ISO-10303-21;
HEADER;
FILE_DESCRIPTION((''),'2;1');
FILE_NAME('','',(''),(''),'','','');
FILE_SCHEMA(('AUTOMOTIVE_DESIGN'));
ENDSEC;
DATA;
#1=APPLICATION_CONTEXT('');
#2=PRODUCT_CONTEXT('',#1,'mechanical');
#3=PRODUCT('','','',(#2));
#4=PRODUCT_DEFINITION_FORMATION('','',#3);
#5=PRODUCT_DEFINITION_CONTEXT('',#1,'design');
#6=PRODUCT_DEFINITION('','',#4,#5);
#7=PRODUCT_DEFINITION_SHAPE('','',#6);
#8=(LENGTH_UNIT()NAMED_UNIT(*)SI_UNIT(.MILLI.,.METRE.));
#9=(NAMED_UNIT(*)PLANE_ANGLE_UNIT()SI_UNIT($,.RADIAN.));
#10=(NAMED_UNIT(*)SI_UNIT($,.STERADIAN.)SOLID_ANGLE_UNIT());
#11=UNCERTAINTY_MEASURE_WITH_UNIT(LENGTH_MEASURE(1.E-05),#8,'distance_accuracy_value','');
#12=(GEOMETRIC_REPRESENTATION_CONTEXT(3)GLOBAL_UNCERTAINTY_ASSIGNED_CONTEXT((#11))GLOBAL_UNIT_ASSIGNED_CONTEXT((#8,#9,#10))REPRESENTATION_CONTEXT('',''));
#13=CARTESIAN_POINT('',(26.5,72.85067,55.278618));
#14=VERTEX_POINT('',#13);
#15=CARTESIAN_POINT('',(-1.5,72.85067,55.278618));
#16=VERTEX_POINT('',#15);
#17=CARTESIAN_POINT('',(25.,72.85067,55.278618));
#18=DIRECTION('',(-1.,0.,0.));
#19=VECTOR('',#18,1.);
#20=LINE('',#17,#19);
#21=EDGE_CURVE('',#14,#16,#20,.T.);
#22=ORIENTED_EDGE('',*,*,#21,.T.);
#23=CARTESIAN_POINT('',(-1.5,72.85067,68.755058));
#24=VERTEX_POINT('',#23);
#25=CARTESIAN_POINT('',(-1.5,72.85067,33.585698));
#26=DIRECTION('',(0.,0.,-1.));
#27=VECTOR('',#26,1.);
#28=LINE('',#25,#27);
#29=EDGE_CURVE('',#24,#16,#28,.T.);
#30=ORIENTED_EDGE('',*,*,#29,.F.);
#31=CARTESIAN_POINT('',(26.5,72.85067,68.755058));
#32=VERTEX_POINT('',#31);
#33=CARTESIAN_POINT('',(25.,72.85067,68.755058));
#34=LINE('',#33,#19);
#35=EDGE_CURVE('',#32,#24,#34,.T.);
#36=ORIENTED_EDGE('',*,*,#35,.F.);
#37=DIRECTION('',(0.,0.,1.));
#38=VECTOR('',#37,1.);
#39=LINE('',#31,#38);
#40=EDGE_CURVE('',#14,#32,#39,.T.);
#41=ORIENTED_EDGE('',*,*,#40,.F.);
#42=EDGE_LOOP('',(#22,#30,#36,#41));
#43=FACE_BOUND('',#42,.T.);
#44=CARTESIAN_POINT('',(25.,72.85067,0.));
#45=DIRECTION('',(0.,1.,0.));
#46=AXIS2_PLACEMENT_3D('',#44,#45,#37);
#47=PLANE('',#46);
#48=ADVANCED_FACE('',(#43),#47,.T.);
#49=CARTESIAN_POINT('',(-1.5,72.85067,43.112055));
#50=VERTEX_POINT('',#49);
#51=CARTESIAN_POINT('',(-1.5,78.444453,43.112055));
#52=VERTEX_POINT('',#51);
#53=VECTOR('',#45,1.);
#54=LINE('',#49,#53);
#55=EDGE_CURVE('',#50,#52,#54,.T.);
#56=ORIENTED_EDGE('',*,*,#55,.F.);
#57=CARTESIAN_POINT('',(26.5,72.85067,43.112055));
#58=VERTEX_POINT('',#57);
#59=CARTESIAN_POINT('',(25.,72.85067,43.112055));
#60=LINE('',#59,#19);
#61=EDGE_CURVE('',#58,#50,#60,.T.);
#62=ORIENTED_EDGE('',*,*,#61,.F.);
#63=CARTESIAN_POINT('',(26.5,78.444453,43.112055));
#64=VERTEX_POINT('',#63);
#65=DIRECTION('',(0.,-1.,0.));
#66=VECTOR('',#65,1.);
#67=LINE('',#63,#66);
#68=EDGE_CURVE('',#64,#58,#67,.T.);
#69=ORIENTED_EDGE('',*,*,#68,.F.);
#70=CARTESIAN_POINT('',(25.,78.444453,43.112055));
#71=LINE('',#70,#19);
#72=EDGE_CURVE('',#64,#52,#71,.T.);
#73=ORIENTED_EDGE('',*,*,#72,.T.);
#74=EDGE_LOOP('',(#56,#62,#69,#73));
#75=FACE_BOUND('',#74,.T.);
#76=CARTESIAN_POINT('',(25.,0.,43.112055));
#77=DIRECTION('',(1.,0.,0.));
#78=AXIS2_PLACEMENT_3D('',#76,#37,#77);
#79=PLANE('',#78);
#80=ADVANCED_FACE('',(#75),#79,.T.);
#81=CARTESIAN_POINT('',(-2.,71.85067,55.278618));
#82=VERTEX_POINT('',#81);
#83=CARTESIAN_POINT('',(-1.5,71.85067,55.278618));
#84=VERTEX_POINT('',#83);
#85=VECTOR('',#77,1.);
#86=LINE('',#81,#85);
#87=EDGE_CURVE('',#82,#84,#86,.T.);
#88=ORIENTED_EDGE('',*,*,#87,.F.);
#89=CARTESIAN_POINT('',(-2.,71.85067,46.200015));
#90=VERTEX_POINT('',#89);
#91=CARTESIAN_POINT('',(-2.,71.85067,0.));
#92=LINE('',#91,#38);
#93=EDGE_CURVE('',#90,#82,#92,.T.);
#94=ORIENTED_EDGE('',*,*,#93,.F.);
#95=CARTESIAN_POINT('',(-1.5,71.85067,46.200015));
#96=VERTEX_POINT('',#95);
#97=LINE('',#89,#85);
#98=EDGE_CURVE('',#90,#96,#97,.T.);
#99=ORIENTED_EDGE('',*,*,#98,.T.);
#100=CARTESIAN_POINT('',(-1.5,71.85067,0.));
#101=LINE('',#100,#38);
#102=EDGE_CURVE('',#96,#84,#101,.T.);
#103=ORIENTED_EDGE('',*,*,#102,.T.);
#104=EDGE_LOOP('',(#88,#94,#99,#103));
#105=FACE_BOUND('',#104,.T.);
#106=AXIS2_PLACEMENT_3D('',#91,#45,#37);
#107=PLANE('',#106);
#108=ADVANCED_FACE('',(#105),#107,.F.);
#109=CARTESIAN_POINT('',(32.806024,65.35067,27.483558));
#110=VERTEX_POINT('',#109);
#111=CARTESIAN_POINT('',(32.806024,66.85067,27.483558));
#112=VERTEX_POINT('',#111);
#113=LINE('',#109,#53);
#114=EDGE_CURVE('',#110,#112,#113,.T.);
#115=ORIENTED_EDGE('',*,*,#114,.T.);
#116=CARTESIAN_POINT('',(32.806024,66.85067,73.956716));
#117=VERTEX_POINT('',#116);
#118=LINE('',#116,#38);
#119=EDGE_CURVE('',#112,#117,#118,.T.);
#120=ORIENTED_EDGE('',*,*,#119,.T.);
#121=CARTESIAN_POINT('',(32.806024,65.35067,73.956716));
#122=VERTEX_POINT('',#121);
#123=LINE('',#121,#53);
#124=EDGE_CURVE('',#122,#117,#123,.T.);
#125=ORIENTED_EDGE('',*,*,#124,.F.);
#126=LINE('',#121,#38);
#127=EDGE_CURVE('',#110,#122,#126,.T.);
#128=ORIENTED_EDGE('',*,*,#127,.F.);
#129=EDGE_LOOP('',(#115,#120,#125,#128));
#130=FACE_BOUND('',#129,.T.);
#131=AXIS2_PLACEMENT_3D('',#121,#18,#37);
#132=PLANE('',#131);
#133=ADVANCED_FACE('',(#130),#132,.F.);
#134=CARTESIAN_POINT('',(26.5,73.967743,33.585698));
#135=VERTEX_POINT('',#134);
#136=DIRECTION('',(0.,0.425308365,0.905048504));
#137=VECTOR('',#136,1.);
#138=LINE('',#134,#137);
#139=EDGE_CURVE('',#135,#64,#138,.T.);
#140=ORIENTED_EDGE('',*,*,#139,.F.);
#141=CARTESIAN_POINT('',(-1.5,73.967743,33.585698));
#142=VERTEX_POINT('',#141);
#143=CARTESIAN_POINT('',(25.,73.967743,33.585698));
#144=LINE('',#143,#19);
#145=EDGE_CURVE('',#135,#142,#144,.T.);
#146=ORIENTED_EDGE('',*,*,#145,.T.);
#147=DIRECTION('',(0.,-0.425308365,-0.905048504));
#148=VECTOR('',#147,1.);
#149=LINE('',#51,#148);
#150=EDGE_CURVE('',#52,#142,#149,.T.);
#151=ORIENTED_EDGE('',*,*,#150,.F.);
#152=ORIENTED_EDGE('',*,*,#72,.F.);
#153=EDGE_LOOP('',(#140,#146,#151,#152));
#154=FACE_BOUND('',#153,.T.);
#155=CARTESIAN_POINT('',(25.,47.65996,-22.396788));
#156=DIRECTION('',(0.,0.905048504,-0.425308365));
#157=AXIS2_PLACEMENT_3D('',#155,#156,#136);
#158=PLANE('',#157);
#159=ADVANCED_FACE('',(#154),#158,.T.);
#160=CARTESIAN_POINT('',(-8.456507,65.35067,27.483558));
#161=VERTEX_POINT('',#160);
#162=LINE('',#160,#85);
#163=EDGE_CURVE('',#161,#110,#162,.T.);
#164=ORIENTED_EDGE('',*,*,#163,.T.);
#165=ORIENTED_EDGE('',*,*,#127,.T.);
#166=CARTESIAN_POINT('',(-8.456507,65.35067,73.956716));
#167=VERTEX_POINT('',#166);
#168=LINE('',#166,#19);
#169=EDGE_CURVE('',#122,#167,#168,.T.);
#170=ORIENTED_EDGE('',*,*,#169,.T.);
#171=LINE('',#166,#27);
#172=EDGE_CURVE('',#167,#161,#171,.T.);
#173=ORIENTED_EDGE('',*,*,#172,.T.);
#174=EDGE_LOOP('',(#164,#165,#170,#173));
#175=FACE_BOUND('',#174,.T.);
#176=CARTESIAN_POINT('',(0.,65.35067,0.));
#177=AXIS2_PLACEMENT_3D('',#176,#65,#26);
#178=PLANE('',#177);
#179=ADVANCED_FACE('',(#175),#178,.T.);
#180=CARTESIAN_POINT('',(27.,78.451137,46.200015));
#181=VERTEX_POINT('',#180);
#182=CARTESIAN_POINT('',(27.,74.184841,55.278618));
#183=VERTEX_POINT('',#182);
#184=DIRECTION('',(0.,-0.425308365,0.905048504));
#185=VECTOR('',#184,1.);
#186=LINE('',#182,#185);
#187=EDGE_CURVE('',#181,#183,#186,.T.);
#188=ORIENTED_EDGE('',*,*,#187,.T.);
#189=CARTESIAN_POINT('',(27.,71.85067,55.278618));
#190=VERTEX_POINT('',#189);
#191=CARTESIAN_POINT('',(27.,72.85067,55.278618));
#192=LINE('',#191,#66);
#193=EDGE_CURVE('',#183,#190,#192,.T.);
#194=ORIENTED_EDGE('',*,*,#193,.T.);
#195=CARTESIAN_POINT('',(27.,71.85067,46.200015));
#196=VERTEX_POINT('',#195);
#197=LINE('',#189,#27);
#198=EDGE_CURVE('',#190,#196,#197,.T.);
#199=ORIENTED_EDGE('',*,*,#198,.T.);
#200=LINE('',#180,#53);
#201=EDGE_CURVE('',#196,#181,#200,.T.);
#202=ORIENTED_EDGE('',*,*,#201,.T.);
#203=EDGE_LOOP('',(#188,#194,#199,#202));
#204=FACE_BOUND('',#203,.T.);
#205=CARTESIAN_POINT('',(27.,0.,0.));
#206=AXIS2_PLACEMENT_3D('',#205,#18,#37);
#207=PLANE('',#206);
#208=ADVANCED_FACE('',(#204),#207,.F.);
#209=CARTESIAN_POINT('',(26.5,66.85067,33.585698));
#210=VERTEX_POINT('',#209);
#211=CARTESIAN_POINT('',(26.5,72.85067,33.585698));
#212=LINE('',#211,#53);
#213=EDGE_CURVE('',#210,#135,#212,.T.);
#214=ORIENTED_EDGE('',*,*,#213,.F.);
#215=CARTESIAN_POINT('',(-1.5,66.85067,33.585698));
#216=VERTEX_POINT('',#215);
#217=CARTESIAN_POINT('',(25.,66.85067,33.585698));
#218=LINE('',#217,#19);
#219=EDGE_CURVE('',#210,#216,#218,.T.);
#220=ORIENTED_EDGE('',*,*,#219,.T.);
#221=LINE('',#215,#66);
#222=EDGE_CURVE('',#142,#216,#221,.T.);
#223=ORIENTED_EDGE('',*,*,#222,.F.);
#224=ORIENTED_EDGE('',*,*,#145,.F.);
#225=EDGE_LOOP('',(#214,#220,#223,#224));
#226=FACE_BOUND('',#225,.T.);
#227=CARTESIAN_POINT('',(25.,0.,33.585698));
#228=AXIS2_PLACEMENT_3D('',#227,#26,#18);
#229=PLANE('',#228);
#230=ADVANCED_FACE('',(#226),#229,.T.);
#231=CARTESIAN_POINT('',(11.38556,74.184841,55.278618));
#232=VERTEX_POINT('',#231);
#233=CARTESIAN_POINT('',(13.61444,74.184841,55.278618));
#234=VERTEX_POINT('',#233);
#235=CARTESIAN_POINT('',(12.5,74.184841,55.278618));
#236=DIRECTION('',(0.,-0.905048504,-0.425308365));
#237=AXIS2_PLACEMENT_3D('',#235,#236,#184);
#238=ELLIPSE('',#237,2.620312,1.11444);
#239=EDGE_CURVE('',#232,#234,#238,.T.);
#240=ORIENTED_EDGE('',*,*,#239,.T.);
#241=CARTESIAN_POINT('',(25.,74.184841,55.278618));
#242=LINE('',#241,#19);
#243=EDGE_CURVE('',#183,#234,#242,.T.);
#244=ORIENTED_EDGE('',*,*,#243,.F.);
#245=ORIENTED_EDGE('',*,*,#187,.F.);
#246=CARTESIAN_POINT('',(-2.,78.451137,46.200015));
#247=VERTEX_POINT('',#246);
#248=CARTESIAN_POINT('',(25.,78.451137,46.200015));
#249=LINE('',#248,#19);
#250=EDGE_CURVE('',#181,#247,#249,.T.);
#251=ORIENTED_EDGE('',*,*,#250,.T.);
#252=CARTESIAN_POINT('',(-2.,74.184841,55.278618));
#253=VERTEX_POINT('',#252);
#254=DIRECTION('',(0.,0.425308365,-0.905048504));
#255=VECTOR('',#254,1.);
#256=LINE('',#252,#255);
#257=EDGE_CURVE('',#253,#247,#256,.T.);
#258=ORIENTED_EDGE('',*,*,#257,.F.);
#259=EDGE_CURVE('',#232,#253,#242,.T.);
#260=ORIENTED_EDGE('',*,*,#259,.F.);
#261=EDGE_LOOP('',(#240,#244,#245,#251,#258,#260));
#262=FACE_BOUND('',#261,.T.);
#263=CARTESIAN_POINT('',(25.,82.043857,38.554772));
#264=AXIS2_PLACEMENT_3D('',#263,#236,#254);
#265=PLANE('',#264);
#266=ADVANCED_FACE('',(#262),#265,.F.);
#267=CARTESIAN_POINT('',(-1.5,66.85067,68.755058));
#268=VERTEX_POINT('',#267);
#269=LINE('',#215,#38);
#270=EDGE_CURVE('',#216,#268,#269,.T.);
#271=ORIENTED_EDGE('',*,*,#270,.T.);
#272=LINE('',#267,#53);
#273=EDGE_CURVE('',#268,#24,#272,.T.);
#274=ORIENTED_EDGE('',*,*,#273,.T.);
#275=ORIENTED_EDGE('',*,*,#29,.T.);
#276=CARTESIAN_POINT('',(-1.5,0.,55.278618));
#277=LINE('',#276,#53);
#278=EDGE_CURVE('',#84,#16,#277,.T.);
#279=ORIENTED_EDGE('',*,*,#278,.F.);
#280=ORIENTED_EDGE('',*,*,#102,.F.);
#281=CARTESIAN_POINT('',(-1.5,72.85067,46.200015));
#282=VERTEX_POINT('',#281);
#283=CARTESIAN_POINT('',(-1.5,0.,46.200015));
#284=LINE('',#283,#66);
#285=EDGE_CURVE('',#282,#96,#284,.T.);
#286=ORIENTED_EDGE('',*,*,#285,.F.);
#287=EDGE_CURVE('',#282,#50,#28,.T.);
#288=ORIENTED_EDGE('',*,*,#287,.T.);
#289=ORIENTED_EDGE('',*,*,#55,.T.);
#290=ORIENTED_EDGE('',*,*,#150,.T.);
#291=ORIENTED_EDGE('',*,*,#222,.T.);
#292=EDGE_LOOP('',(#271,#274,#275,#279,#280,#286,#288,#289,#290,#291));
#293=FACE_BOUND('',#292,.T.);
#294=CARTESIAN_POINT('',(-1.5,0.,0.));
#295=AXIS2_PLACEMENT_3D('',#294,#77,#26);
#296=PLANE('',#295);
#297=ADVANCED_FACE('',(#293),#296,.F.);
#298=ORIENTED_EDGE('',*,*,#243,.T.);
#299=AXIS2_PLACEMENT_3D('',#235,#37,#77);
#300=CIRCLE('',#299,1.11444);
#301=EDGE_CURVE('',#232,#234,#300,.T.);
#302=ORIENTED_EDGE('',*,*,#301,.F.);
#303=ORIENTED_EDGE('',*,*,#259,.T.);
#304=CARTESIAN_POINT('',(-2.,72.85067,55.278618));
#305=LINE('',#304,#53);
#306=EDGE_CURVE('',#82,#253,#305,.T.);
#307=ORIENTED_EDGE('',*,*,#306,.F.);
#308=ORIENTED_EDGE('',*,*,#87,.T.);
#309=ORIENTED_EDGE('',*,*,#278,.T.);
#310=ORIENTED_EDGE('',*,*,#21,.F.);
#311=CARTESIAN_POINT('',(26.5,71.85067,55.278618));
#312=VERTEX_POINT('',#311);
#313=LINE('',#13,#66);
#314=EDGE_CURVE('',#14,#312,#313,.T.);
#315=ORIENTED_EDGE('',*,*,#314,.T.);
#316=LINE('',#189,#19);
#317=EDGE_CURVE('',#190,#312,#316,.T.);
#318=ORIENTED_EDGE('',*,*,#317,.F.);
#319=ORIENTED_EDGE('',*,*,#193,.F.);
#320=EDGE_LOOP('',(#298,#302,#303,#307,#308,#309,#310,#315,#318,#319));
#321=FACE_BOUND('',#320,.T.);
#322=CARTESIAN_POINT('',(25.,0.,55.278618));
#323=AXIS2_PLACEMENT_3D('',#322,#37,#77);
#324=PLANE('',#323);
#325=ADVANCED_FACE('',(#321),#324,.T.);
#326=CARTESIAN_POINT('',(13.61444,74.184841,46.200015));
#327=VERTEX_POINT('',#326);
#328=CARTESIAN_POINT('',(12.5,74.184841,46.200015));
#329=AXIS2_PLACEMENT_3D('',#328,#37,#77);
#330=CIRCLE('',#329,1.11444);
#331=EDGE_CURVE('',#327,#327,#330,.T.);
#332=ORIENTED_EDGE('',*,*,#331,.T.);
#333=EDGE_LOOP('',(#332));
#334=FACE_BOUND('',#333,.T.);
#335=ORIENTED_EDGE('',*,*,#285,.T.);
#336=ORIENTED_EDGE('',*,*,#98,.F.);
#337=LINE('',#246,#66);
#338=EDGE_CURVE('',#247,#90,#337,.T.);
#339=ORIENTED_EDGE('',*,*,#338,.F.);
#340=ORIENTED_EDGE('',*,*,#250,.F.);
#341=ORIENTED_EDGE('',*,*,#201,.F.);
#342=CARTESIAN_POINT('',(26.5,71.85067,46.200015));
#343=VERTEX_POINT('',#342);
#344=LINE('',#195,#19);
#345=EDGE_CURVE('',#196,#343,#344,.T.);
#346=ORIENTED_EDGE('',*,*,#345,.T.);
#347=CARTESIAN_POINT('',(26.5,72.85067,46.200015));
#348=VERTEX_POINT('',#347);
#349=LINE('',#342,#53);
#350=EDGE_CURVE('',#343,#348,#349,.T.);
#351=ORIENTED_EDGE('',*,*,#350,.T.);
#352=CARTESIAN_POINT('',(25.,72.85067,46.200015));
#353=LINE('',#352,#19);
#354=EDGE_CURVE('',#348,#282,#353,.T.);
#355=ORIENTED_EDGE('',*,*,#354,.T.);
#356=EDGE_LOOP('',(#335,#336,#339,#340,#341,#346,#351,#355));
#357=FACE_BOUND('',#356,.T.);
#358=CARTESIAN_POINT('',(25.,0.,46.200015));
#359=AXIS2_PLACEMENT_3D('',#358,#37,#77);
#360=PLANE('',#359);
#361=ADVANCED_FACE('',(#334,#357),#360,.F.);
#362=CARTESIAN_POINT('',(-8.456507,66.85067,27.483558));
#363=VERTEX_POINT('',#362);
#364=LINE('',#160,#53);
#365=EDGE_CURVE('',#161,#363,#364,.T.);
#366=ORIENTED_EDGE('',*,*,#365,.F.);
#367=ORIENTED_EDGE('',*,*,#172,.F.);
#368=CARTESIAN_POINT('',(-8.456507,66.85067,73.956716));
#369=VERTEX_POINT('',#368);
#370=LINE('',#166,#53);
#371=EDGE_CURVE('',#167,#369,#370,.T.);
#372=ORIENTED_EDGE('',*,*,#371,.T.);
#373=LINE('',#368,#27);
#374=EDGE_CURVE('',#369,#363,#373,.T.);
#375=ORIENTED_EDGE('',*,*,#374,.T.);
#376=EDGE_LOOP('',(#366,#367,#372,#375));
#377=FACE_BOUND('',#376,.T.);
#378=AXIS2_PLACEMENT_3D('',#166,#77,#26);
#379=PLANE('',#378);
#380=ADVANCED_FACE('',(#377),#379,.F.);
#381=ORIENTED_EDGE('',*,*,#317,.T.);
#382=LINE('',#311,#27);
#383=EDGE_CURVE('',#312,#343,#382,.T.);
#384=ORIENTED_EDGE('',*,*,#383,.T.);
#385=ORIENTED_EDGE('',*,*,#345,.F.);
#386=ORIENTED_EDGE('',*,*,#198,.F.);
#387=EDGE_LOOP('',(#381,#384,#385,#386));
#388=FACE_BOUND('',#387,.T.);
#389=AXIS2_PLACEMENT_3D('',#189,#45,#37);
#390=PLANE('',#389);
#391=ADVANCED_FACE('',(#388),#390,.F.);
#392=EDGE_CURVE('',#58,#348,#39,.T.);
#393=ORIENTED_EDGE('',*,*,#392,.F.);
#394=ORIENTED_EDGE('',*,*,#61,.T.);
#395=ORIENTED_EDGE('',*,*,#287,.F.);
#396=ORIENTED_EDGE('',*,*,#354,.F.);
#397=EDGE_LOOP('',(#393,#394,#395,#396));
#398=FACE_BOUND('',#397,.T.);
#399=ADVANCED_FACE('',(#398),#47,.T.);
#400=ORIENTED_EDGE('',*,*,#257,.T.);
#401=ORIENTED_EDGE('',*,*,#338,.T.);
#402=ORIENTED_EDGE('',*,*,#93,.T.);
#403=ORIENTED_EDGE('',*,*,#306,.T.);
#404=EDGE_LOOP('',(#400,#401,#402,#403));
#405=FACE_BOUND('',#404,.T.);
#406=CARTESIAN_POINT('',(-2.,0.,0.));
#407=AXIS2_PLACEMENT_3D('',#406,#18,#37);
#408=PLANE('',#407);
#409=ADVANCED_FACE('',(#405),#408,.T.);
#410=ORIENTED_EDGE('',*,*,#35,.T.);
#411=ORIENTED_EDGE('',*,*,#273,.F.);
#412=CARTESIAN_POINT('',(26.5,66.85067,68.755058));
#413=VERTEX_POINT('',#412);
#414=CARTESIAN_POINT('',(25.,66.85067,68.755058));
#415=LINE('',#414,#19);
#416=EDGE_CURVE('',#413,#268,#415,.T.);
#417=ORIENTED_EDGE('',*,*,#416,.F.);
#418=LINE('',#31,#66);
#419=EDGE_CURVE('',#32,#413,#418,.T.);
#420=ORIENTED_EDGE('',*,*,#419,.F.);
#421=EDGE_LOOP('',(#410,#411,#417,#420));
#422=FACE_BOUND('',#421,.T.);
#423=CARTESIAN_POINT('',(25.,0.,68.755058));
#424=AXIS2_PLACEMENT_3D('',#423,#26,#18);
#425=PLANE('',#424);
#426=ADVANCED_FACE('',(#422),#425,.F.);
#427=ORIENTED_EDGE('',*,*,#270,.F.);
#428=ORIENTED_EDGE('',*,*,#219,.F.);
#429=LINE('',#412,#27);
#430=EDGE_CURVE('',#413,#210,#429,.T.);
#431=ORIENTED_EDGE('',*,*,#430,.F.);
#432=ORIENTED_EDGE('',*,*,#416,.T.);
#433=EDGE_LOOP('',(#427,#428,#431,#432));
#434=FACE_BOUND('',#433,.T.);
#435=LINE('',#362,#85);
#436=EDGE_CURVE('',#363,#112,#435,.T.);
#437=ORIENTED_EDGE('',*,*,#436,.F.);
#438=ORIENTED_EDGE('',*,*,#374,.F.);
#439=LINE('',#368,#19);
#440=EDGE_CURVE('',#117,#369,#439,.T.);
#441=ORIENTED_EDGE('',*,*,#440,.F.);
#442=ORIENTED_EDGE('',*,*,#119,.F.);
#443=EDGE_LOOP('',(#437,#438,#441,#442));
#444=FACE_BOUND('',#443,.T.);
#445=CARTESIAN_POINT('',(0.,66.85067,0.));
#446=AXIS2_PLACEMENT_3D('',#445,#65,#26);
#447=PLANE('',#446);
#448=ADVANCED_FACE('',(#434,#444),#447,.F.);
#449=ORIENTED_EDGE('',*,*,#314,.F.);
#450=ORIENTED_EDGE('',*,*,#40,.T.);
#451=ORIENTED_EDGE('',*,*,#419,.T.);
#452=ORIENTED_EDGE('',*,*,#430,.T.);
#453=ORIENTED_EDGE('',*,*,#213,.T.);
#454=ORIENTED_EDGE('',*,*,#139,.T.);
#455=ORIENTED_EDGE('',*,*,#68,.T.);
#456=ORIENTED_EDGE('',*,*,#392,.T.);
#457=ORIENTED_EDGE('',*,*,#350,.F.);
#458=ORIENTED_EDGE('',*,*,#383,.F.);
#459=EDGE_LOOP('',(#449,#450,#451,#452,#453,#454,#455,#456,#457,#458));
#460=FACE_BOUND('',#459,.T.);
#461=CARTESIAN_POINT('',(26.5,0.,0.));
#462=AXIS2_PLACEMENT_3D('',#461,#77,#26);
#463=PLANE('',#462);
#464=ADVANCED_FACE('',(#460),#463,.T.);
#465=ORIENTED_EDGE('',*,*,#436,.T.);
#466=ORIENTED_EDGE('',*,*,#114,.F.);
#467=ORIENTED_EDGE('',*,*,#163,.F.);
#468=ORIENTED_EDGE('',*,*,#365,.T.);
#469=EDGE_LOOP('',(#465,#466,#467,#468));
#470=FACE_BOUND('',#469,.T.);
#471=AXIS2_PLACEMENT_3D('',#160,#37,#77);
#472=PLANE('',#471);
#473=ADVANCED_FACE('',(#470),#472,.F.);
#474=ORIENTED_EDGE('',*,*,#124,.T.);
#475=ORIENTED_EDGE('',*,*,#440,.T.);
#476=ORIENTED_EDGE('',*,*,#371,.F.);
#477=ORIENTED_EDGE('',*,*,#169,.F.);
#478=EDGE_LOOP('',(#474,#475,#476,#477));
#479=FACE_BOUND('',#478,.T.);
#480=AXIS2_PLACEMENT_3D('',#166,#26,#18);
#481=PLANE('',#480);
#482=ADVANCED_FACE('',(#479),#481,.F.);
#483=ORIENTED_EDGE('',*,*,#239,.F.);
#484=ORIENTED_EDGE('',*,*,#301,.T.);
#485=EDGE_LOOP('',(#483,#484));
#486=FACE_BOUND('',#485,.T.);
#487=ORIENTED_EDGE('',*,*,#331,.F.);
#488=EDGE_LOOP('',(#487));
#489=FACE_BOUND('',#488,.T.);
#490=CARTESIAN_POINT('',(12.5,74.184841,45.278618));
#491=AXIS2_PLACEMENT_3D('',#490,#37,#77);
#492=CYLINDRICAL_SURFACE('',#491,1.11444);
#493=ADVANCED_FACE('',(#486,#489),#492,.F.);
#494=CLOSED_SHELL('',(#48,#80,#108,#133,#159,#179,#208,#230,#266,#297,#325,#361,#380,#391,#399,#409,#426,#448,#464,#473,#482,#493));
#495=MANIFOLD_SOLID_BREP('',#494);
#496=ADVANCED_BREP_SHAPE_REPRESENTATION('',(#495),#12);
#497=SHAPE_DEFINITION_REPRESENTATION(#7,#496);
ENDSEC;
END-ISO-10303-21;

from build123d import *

# Parameters (mm, degrees)
SKETCH1_W            = 35.169359311
SKETCH1_H            = 6
BOSS_EXTRUDE1_DEPTH  = 25
SKETCH2_W            = 35.169359311
SKETCH2_H            = 6
BOSS_EXTRUDE2_DEPTH  = 1.5
SKETCH3_W            = 35.169359311
SKETCH3_H            = 6
BOSS_EXTRUDE3_DEPTH  = 1.5
SKETCH4_W            = 41.262531498
SKETCH4_H            = 46.473158343
BOSS_EXTRUDE4_DEPTH  = 1.5
BOSS_EXTRUDE5_DEPTH  = 2
BOSS_EXTRUDE6_DEPTH  = 2
SKETCH8_W            = 9.078602689
SKETCH8_H            = 1
BOSS_EXTRUDE7_DEPTH  = 0.5
SKETCH9_W            = 9.078602689
SKETCH9_H            = 1
BOSS_EXTRUDE8_DEPTH  = 0.5
BOSS_EXTRUDE9_DEPTH  = 1.5
BOSS_EXTRUDE10_DEPTH = 1.5
SKETCH13_R           = 1.114440401
CUT_EXTRUDE1_DEPTH   = 10


with BuildPart() as part:
    # Sketch1 → Boss-Extrude1 (new body)
    with BuildSketch(Plane(origin=(0, 0, 0), x_dir=(0, 0, -1), z_dir=(1, 0, 0))):
        Polygon((-55.278617962, 72.850669778), (-46.200015273, 72.850669778), (-46.200015273, 78.4511375), (-55.278617962, 74.184840555), align=None)
        with Locations((-51.170377926, 69.850669778)):
            Rectangle(SKETCH1_W, SKETCH1_H)
        Polygon((-43.112055174, 72.850669778), (-33.58569827, 72.850669778), (-33.58569827, 73.967743314), (-43.112055174, 78.444452863), align=None)
    extrude(amount=BOSS_EXTRUDE1_DEPTH)

    # Sketch2 → Boss-Extrude2 (add)
    with BuildSketch(Plane(origin=(25, 0, 0), x_dir=(0, 0, -1), z_dir=(1, 0, 0))):
        with Locations((-51.170377926, 69.850669778)):
            Rectangle(SKETCH2_W, SKETCH2_H)
    extrude(amount=BOSS_EXTRUDE2_DEPTH)

    # Sketch3 → Boss-Extrude3 (add)
    with BuildSketch(Plane.ZY):
        with Locations((51.170377926, 69.850669778)):
            Rectangle(SKETCH3_W, SKETCH3_H)
    extrude(amount=BOSS_EXTRUDE3_DEPTH)

    # Sketch4 → Boss-Extrude4 (add)
    with BuildSketch(Plane.XZ.offset(-66.850669778)):
        with Locations((12.174758659, 50.720136909)):
            Rectangle(SKETCH4_W, SKETCH4_H)
    extrude(amount=BOSS_EXTRUDE4_DEPTH)

    # Sketch6 → Boss-Extrude5 (add)
    with BuildSketch(Plane(origin=(25, 0, 0), x_dir=(0, 0, -1), z_dir=(1, 0, 0))):
        Polygon((-55.278617962, 72.850669778), (-55.278617962, 74.184840555), (-46.200015273, 78.4511375), (-46.200015273, 72.850669778), align=None)
    extrude(amount=BOSS_EXTRUDE5_DEPTH)

    # Sketch7 → Boss-Extrude6 (add)
    with BuildSketch(Plane.ZY):
        Polygon((46.200015273, 72.850669778), (55.278617962, 72.850669778), (55.278617962, 74.184840555), (46.200015273, 78.4511375), align=None)
    extrude(amount=BOSS_EXTRUDE6_DEPTH)

    # Sketch8 → Boss-Extrude7 (add)
    with BuildSketch(Plane(origin=(26.5, 0, 0), x_dir=(0, 0, -1), z_dir=(1, 0, 0))):
        with Locations((-50.739316618, 72.350669778)):
            Rectangle(SKETCH8_W, SKETCH8_H)
    extrude(amount=BOSS_EXTRUDE7_DEPTH)

    # Sketch9 → Boss-Extrude8 (add)
    with BuildSketch(Plane.ZY.offset(1.5)):
        with Locations((50.739316618, 72.350669778)):
            Rectangle(SKETCH9_W, SKETCH9_H)
    extrude(amount=BOSS_EXTRUDE8_DEPTH)

    # Sketch10 → Boss-Extrude9 (add)
    with BuildSketch(Plane(origin=(25, 0, 0), x_dir=(0, 0, -1), z_dir=(1, 0, 0))):
        Polygon((-43.112055174, 72.850669778), (-33.58569827, 72.850669778), (-33.58569827, 73.967743314), (-43.112055174, 78.444452863), align=None)
    extrude(amount=BOSS_EXTRUDE9_DEPTH)

    # Sketch11 → Boss-Extrude10 (add)
    with BuildSketch(Plane.ZY):
        Polygon((33.58569827, 72.850669778), (43.112055174, 72.850669778), (43.112055174, 78.444452863), (33.58569827, 73.967743314), align=None)
    extrude(amount=BOSS_EXTRUDE10_DEPTH)

    # Sketch13 → Cut-Extrude1 (cut)
    with BuildSketch(Plane.XY.offset(55.278617962)):
        with Locations((12.5, 74.184840555)):
            Circle(SKETCH13_R)
    extrude(amount=-CUT_EXTRUDE1_DEPTH, mode=Mode.SUBTRACT)


solid = part.part
